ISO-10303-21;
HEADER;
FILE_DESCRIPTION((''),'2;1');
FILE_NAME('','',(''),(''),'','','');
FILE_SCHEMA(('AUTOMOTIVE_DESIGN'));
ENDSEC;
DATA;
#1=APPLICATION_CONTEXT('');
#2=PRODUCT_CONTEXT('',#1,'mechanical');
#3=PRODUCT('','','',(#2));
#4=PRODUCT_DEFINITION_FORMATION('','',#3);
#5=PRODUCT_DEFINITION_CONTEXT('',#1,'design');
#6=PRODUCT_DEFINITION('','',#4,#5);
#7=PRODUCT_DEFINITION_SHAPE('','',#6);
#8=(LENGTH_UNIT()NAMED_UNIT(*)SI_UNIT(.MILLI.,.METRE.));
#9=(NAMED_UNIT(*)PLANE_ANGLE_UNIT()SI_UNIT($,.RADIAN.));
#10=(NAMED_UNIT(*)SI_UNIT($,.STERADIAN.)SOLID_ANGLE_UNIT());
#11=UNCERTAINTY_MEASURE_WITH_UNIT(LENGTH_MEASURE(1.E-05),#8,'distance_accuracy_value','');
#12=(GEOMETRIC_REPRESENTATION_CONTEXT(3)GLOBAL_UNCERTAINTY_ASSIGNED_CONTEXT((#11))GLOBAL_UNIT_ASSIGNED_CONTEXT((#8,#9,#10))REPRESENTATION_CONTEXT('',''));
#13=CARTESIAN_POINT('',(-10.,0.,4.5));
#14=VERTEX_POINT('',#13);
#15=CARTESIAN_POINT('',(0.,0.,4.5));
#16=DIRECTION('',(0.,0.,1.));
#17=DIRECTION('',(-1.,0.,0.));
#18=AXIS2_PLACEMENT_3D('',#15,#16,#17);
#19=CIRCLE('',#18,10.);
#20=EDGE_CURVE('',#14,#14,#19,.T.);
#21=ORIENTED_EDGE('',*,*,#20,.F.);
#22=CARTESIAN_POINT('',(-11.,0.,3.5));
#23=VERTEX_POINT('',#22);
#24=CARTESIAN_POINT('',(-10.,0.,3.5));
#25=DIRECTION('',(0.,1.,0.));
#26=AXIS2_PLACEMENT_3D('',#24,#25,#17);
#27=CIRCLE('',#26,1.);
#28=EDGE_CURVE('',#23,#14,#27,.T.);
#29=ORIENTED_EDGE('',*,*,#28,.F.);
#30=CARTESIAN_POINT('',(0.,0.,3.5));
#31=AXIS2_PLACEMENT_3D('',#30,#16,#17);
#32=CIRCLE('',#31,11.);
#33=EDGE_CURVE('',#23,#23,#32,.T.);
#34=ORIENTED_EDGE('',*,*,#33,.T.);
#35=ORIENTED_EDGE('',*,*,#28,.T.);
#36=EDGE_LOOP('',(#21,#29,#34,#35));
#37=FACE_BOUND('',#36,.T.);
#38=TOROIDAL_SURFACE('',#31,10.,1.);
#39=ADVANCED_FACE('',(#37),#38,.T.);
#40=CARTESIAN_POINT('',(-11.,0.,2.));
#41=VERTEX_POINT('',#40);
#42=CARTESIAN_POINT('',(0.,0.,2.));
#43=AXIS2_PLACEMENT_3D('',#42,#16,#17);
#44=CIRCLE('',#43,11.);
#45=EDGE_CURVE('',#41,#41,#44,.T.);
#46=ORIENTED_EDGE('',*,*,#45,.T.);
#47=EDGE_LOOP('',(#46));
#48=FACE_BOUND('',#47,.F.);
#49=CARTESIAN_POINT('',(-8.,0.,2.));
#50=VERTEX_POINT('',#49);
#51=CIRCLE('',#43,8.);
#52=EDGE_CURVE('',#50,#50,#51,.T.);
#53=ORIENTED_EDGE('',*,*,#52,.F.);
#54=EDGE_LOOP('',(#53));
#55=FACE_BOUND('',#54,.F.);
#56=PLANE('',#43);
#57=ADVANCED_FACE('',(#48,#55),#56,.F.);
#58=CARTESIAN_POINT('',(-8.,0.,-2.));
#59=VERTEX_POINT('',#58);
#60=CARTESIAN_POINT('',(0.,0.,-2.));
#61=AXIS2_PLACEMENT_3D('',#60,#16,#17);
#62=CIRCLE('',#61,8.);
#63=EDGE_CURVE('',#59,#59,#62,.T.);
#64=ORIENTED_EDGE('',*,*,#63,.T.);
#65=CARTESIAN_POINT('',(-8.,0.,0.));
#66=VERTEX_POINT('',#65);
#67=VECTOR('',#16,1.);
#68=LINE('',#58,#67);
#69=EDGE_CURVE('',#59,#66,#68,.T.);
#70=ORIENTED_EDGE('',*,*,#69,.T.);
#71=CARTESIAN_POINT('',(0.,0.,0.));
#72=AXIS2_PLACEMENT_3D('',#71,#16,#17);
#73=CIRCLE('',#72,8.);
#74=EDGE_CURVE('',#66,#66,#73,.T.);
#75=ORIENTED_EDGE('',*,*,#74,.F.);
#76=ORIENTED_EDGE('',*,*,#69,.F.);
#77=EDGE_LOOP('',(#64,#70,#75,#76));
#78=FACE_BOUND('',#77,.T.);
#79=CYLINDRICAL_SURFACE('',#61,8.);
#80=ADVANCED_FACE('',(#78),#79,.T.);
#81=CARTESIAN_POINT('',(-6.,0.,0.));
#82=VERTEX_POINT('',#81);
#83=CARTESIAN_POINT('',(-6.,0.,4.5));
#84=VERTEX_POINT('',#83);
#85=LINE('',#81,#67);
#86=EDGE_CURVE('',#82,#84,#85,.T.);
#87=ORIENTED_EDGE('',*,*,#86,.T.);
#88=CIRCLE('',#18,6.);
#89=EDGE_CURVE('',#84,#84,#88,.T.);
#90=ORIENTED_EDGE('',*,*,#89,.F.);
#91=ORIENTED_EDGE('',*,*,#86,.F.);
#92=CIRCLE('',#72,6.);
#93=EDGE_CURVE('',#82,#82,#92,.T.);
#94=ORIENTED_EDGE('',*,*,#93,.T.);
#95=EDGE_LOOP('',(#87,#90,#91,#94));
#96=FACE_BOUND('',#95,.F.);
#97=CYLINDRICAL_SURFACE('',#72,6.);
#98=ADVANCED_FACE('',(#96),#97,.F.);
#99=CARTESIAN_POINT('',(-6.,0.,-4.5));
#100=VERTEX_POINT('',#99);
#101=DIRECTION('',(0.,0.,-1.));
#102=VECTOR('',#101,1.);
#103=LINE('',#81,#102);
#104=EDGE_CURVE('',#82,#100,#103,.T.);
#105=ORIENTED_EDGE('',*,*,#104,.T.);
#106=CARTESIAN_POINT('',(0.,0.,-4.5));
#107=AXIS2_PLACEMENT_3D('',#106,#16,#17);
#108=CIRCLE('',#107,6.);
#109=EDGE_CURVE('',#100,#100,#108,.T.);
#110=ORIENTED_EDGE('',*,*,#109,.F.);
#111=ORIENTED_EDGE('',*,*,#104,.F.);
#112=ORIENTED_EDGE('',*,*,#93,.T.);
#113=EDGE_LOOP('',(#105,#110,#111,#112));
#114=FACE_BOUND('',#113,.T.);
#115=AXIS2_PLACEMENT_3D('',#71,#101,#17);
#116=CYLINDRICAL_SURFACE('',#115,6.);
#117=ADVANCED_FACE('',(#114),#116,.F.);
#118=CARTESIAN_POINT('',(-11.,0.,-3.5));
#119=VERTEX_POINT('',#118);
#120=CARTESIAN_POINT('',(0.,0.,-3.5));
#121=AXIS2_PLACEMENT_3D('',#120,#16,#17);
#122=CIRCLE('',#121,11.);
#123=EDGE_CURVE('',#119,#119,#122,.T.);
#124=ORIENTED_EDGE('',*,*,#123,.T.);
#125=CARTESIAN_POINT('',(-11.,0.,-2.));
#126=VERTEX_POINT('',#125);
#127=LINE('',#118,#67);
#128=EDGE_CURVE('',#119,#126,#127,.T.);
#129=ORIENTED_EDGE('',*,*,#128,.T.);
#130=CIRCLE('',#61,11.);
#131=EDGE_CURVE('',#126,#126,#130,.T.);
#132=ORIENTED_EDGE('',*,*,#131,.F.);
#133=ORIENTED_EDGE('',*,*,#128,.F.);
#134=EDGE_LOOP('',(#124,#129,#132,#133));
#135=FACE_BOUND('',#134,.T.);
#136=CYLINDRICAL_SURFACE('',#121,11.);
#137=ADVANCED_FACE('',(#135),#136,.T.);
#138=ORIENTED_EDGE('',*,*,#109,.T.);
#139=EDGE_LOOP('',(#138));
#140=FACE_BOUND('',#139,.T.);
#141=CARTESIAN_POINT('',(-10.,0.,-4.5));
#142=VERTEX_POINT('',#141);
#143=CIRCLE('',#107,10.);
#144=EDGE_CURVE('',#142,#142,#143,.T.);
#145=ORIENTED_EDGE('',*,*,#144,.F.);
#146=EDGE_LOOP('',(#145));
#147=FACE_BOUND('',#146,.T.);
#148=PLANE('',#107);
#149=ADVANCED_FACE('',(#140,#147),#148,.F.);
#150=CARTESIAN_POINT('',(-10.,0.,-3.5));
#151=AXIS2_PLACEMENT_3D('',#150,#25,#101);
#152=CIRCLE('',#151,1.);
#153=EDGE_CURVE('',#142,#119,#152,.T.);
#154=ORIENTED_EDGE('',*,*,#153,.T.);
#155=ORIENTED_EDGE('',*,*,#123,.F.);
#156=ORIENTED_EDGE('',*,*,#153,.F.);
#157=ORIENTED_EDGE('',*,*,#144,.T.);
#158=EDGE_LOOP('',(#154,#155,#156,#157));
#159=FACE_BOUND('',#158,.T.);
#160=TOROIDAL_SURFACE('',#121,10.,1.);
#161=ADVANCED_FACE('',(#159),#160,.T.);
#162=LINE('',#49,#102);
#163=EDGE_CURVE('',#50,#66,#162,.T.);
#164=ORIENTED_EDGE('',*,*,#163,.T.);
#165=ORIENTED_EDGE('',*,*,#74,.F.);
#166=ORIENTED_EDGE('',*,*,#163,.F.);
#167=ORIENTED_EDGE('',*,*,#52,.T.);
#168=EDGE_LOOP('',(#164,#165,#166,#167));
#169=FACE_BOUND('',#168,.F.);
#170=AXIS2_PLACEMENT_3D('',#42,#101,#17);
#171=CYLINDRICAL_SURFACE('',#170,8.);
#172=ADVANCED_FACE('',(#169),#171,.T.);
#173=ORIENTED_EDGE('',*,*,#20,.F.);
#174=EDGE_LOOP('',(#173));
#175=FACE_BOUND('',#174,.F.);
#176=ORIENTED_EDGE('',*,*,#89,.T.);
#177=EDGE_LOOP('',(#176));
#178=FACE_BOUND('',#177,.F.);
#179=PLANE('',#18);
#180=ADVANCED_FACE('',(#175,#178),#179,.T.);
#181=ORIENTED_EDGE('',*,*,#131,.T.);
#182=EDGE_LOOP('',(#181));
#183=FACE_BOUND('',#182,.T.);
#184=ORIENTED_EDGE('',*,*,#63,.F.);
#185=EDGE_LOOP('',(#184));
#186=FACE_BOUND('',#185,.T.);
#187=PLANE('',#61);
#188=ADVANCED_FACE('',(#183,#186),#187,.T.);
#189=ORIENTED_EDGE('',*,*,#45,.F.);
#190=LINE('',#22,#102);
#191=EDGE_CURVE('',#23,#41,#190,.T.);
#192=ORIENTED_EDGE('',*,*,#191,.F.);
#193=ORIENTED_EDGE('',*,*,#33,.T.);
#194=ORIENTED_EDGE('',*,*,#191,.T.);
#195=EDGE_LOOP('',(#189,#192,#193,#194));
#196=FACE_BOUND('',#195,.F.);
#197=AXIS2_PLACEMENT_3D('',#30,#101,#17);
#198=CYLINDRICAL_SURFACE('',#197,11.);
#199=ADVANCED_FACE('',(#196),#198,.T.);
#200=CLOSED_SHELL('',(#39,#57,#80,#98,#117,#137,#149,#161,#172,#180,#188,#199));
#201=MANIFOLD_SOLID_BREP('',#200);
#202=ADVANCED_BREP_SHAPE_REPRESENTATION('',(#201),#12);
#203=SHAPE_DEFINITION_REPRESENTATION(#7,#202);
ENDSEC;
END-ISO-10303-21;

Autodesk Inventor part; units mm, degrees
ref_plane "YZ Plane" through (0, 0, 0) normal (1, 0, 0) x (0, 1, 0)
ref_plane "XZ Plane" through (0, 0, 0) normal (0, 1, 0) x (-1, 0, 0)
ref_plane "XY Plane" through (0, 0, 0) normal (0, 0, 1) x (1, 0, 0)
sketch "Sketch1" plane through (0, 0, 0) normal (0, 1, 0) x (-1, 0, 0)
  line L0 (0, 0) -> (6, 0) construction
  line L1 (6, 0) -> (11, 0) construction
  line L2 (6, 0) -> (6, -4.5)
  line L3 (6, -4.5) -> (10, -4.5)
  line L4 (11, -3.5) -> (11, -2)
  line L5 (11, -2) -> (8, -2)
  line L6 (8, -2) -> (8, 0)
  arc A0 (10, -4.5) -> (11, -3.5) centre (10, -3.5) ccw
  line L7 (6, 0) -> (6, 4.5)
  line L8 (6, 4.5) -> (10, 4.5)
  line L9 (11, 3.5) -> (11, 2)
  line L10 (11, 2) -> (8, 2)
  line L11 (8, 2) -> (8, 0)
  arc A1 (11, 3.5) -> (10, 4.5) centre (10, 3.5) ccw
  line L12 (0, -6.5899) -> (0, 6.5899) projected
  point P0 (11, -4.5)
  point P1 (11, 4.5)
  dimension "d0" = 6
  dimension "d1" = 5
  dimension "d2" = 4.5
  dimension "d3" = 5
  dimension "d4" = 2.5
  dimension "d5" = 3
  dimension "d6" = 1
revolve "Revolution1" add sketch "Sketch1" angle 360 about axis through (0, 0, -10) along (0, 0, 1)
properties part number "Tarot_12mm_Rubber" material "Rubber"
